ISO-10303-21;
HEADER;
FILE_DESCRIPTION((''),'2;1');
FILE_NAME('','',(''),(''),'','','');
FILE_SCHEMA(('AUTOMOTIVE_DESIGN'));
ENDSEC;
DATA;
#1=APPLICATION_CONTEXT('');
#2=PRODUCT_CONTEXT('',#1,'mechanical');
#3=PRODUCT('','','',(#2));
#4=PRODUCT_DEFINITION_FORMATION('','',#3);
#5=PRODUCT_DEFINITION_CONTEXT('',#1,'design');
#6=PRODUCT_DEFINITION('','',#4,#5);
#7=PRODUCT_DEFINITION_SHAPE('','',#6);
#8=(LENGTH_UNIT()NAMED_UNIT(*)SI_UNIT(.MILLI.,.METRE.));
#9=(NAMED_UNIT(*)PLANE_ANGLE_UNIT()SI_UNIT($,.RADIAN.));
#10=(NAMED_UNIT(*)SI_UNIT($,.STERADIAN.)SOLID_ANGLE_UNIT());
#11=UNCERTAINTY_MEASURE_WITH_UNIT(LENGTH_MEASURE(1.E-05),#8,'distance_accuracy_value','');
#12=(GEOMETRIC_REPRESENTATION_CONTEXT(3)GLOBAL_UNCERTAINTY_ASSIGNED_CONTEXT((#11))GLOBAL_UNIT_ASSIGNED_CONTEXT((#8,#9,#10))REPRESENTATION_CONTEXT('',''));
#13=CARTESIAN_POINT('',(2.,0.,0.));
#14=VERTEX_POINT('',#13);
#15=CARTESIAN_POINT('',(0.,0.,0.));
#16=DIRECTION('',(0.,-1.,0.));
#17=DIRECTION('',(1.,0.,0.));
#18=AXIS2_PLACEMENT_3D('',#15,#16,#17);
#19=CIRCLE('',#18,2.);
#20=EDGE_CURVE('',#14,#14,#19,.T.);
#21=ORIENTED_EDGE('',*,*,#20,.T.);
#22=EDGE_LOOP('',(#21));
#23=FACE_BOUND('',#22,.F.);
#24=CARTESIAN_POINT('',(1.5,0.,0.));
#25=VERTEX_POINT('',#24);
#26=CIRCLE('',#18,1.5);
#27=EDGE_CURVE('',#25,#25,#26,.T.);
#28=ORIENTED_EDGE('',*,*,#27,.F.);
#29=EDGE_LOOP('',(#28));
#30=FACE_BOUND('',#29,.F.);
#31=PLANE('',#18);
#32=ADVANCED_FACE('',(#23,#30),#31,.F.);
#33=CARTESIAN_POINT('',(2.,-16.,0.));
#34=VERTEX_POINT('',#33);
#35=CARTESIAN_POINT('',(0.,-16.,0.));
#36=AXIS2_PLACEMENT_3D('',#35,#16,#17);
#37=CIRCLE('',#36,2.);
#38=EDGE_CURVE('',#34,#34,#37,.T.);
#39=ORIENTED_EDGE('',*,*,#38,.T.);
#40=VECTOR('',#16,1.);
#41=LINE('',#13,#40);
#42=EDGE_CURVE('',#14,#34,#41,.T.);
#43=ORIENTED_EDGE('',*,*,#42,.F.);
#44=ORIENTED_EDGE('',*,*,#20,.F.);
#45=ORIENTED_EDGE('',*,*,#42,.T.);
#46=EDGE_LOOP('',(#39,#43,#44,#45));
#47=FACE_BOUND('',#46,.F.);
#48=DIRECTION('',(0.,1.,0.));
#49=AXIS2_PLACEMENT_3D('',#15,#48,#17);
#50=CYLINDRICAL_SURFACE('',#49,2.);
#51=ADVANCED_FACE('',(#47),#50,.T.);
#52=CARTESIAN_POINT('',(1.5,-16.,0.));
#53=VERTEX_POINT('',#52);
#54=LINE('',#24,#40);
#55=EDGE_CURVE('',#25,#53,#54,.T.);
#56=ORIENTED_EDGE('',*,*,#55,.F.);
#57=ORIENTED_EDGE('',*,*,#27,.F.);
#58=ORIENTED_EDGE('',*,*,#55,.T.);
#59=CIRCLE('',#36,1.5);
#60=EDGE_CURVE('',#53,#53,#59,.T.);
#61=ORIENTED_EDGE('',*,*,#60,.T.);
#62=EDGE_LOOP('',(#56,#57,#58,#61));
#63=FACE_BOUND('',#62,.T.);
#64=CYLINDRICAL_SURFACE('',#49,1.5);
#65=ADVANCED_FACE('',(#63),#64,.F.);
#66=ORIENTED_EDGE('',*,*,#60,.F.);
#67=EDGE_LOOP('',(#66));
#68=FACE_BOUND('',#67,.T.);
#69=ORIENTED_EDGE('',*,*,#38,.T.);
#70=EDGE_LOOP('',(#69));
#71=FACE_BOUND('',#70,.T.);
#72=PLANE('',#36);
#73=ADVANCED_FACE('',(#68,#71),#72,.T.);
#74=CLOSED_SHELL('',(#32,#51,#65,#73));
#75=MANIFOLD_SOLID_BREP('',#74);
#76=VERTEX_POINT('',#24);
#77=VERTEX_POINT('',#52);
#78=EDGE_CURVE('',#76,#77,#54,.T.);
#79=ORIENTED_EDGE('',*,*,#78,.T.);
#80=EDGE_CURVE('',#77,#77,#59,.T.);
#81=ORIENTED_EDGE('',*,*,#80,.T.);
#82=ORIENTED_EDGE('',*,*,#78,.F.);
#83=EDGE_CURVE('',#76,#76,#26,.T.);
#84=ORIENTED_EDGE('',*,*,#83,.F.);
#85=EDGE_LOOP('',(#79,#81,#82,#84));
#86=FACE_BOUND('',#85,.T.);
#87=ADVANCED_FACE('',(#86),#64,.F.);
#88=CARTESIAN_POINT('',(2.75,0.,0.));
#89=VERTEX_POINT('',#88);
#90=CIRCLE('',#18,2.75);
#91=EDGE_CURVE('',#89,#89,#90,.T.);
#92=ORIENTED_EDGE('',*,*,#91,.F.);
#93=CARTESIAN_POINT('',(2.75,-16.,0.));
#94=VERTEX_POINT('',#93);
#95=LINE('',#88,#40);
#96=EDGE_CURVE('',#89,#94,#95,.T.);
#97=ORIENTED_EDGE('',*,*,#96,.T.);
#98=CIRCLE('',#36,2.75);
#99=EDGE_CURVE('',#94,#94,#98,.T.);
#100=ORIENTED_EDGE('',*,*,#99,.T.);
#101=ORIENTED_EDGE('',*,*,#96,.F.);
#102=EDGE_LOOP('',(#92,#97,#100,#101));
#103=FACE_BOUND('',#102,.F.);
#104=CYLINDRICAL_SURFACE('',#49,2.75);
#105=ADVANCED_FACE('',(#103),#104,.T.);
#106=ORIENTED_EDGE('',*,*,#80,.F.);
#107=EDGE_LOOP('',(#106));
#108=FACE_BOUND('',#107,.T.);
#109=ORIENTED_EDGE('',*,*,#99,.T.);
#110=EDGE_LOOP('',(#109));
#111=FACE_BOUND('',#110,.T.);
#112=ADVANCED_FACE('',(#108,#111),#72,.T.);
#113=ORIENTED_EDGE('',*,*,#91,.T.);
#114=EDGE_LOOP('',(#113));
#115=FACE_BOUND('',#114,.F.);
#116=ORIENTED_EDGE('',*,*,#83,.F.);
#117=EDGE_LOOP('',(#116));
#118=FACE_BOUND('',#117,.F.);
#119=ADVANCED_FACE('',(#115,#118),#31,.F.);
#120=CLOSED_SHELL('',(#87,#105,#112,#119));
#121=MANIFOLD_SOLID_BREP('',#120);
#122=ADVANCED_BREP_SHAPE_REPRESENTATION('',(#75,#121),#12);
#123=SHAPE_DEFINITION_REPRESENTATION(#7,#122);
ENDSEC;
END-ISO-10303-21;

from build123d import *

# Parameters (mm, degrees)
F0_R     = 2.75
F0_R_2   = 1.5
F1_DEPTH = 16
F2_R     = 2
F2_R_2   = 1.5
F3_DEPTH = 16


with BuildPart() as f1:
    # F0 (on Front) → F1 (new body)
    with BuildSketch(Plane.XZ):
        Circle(F0_R)
        Circle(F0_R_2, mode=Mode.SUBTRACT)
    extrude(amount=F1_DEPTH)


with BuildPart() as f3:
    # F2 (on Front) → F3 (new body)
    with BuildSketch(Plane.XZ):
        Circle(F2_R)
        Circle(F2_R_2, mode=Mode.SUBTRACT)
    extrude(amount=F3_DEPTH)


solid = Compound([f1.part, f3.part])
